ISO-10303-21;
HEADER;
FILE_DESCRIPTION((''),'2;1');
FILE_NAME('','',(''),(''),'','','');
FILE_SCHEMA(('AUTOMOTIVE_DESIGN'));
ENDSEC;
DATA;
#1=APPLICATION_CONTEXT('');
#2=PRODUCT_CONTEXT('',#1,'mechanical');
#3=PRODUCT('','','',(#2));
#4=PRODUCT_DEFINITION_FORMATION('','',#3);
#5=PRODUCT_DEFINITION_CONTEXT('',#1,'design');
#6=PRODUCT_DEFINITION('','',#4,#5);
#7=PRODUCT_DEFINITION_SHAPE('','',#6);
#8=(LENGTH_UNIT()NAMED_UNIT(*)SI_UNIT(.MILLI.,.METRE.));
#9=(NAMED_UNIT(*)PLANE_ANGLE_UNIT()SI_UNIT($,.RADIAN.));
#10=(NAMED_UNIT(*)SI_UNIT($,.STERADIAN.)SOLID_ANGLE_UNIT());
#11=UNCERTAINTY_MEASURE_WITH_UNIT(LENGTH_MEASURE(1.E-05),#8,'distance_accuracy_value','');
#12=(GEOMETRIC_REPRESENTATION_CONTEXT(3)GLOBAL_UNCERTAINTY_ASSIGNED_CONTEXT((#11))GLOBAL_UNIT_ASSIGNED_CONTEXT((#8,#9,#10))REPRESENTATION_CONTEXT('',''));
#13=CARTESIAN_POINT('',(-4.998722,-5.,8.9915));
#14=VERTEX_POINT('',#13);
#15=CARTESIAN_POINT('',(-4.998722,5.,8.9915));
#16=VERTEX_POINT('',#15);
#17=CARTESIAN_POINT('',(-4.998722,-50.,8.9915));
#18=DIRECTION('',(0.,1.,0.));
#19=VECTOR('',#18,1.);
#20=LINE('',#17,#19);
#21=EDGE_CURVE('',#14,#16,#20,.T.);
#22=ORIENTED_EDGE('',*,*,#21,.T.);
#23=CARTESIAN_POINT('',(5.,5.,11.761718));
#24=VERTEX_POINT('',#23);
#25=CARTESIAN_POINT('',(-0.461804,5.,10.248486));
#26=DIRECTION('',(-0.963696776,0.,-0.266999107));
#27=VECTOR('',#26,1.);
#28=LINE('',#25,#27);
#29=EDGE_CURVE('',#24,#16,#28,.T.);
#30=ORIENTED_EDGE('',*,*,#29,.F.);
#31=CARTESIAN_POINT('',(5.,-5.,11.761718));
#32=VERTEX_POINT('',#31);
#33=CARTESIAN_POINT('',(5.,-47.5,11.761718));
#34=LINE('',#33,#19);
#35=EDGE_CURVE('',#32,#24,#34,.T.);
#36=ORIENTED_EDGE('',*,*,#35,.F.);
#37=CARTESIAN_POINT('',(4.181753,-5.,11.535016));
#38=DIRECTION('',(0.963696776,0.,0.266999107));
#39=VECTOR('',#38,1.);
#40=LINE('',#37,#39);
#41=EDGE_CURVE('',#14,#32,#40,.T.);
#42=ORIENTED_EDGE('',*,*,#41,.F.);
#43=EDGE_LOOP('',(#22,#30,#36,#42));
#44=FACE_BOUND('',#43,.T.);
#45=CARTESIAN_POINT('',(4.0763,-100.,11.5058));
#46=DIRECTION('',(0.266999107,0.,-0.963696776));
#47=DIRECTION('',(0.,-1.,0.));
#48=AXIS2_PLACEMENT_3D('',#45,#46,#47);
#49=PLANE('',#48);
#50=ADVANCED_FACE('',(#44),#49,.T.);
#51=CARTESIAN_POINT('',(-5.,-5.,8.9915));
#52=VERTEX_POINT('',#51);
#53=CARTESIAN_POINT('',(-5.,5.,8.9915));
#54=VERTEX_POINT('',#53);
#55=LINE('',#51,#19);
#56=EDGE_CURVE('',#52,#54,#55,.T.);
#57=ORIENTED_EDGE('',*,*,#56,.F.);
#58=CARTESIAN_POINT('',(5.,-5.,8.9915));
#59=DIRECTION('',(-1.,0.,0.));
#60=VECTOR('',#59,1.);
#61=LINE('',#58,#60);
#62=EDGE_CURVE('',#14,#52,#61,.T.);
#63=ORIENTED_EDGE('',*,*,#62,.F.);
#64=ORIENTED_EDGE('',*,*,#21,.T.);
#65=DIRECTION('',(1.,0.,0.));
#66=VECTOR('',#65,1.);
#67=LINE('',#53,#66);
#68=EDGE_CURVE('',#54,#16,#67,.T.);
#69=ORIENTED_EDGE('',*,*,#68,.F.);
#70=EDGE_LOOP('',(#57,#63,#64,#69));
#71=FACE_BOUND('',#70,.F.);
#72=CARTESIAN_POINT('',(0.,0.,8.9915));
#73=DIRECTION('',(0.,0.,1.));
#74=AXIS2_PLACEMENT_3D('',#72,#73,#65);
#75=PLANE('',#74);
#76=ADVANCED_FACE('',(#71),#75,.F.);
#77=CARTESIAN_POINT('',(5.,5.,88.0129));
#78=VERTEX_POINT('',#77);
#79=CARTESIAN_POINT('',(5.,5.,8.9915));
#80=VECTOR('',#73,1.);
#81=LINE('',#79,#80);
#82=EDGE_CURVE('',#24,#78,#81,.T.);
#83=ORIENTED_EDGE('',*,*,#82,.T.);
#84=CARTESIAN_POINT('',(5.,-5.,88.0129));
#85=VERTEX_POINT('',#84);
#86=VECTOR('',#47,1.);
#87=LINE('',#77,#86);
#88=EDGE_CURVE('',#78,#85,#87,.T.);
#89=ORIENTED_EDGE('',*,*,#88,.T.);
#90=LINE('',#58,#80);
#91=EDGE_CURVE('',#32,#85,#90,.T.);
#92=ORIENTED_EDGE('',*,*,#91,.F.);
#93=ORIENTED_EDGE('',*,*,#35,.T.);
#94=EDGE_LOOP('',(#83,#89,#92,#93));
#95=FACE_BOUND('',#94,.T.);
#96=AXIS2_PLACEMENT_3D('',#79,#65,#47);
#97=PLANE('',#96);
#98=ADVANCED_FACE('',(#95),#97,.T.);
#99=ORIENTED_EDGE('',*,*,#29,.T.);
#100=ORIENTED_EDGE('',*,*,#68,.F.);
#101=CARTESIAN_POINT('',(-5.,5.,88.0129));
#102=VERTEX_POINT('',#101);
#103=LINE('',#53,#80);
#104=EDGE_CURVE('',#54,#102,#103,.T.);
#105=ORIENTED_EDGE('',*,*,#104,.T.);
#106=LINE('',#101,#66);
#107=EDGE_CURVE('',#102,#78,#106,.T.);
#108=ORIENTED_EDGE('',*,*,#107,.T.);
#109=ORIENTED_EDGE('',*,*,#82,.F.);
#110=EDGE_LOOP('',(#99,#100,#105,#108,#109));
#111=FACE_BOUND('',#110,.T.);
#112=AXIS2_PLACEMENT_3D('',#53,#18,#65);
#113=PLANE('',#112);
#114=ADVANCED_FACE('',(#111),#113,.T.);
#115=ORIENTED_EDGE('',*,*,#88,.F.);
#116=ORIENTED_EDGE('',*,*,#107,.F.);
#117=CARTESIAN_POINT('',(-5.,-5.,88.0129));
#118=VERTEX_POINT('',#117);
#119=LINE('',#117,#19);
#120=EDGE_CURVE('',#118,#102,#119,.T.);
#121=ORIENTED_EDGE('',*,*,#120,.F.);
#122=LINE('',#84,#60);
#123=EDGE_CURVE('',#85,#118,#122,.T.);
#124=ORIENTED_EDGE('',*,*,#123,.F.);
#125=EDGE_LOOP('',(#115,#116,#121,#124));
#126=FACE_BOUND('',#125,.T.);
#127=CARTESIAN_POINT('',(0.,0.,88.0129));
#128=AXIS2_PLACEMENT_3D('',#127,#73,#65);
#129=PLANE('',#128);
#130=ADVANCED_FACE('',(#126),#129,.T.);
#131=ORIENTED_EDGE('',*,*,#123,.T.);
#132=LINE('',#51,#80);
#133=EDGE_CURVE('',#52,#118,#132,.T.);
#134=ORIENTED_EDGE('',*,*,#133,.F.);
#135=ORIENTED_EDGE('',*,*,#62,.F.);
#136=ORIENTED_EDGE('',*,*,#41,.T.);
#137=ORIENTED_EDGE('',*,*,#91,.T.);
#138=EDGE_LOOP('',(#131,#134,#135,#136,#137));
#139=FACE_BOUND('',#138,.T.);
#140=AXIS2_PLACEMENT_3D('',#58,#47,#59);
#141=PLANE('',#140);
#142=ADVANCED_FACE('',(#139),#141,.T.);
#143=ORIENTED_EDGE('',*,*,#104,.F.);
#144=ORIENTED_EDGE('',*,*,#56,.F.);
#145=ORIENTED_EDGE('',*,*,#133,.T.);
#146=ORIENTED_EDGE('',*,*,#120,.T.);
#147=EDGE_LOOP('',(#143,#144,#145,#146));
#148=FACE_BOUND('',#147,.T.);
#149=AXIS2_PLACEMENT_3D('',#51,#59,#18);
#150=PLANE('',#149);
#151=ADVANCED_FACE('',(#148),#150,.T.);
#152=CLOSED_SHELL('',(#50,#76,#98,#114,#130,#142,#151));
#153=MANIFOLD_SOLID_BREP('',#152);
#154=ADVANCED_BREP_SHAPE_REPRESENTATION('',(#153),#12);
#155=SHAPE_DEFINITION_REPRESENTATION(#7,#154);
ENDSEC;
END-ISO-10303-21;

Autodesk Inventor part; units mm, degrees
ref_plane "Start Plane" through (0, 0, 8.9915) normal (0, 0, 1) x (1, 0, 0)
ref_plane "End Plane" through (0, 0, 88.0129) normal (0, 0, 1) x (1, 0, 0)
sketch "Sketch" plane through (0, 0, 0) normal (0, 0, 1) x (1, 0, 0)
  line L0 (5, -5) -> (-5, -5)
  line L1 (-5, -5) -> (-5, 5)
  line L2 (-5, 5) -> (5, 5)
  line L3 (5, 5) -> (5, -5)
  line L4 (-6, 0) -> (8, 0) construction
  line L5 (0, -30) -> (0, 40) construction
  line L6 (0, 54) -> (0, -44) construction
  line L7 (-9.2, 0) -> (13.2, 0) construction
  dimension "d0" = 10
  dimension "d1" = 10
  dimension "d4" = 5
  dimension "d5" = 5
extrude "Body" add sketch "Sketch" along normal up to surface (79.0214 mm away) from surface at 8.9915
sketch "Sketch3" plane through (0, 0, 0) normal (0, 0, 1) x (1, 0, 0)
  line L0 (0, 0) -> (10, 0)
ref_plane "Work Plane3" through (0, 0, 0) normal (0, -1, 0) x (1, 0, 0)
sketch "Sketch4" plane through (0, 0, 0) normal (0, -1, 0) x (1, 0, 0)
  line L0 (-2, 8.9915) -> (12, 8.9915)
  line L1 (-2, 88.0129) -> (12, 88.0129)
  dimension "d9" = 79.0214
ref_plane "Work Plane5" through (4.0763, -100, 11.5058) normal (0.267, 0, -0.9637) x (-0.9637, 0, -0.267)
split "Split2" plane through (4.0763, -100, 11.5058) removes the side toward (0.267, 0, -0.9637)
ref_plane "Work Plane6" through (0, 5, 88.0129) normal (0, 0, 1) x (1, 0, 0)
split "Split3" plane through (0, 5, 88.0129) removes the side toward (0, 0, 1)
equation "\"d0\" = G_W"
equation "\"d1\" = G_H"
equation "\"d4\" = 0.5 * d1"
equation "\"d5\" = 0.5 * d0"
equation "\"d2\" = G_L"
equation "\"G_W\" = 10"
equation "\"G_H\" = 10"
equation "\"G_L\" = d9"
equation "\"G_OFFSET_START\" = -8.9915"
equation "\"G_OFFSET_END\" = 5"
equation "\"d6\" = -G_OFFSET_START"
equation "\"d7\" = G_OFFSET_END + B_L"
equation "\"B_L\" = 83.01292"
properties part number "ISO 1035/2 - 10 x 10 - 79,02" material "Steel, Mild"
